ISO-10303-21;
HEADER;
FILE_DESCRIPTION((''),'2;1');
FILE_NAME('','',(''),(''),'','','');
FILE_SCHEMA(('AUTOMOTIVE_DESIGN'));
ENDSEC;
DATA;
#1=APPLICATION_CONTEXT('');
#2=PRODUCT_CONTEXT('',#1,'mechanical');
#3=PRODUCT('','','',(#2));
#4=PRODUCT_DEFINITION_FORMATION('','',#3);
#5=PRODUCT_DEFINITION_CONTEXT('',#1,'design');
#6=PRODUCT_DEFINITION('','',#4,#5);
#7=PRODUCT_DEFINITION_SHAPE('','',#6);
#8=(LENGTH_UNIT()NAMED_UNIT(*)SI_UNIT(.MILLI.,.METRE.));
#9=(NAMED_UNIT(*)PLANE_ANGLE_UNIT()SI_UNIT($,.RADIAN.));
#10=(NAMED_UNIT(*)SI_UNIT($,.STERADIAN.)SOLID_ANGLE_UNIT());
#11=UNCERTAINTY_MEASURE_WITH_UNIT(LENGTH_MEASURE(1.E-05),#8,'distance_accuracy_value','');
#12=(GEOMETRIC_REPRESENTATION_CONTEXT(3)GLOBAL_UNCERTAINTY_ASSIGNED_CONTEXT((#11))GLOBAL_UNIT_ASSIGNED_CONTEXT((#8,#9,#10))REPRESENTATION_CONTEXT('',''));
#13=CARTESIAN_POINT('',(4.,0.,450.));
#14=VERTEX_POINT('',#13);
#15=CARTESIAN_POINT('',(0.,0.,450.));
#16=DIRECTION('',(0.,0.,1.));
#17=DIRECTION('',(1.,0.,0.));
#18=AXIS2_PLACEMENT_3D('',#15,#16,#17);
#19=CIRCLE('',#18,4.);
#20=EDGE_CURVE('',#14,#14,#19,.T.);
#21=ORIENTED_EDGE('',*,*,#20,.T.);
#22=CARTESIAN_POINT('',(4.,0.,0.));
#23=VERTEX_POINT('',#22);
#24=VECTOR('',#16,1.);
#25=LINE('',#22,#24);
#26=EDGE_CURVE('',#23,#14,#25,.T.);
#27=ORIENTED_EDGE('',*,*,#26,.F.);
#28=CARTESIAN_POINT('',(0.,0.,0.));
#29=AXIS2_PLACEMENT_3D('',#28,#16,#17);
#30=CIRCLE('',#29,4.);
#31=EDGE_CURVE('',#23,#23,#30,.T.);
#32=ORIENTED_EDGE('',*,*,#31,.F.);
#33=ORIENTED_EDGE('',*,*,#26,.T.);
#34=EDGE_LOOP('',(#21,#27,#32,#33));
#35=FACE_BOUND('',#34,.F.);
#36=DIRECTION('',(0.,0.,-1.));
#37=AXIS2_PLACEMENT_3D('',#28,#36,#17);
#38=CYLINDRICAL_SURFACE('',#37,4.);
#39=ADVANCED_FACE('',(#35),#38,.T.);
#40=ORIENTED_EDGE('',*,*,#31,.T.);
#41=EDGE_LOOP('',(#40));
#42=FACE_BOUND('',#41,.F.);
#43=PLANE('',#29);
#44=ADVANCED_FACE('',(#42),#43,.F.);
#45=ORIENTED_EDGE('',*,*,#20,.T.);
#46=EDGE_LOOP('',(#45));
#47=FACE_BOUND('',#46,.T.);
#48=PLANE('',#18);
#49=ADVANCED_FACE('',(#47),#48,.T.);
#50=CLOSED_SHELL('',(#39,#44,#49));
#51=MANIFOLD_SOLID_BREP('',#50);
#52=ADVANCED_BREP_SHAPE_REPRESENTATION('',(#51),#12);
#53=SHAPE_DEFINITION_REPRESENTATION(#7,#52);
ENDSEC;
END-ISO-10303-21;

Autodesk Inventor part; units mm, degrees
ref_plane "YZ Plane" through (0, 0, 0) normal (1, 0, 0) x (0, 1, 0)
ref_plane "XZ Plane" through (0, 0, 0) normal (0, 1, 0) x (-1, 0, 0)
ref_plane "XY Plane" through (0, 0, 0) normal (0, 0, 1) x (1, 0, 0)
sketch "Skizze1" plane through (0, 0, 0) normal (0, 0, 1) x (1, 0, 0)
  circle A0 centre (0, 0) radius 4
  dimension "d0" = 8
extrude "Extrusion1" add sketch "Skizze1" along normal blind 450
properties part number "steel rail 12mm" material "Edelstahl, 440C"
